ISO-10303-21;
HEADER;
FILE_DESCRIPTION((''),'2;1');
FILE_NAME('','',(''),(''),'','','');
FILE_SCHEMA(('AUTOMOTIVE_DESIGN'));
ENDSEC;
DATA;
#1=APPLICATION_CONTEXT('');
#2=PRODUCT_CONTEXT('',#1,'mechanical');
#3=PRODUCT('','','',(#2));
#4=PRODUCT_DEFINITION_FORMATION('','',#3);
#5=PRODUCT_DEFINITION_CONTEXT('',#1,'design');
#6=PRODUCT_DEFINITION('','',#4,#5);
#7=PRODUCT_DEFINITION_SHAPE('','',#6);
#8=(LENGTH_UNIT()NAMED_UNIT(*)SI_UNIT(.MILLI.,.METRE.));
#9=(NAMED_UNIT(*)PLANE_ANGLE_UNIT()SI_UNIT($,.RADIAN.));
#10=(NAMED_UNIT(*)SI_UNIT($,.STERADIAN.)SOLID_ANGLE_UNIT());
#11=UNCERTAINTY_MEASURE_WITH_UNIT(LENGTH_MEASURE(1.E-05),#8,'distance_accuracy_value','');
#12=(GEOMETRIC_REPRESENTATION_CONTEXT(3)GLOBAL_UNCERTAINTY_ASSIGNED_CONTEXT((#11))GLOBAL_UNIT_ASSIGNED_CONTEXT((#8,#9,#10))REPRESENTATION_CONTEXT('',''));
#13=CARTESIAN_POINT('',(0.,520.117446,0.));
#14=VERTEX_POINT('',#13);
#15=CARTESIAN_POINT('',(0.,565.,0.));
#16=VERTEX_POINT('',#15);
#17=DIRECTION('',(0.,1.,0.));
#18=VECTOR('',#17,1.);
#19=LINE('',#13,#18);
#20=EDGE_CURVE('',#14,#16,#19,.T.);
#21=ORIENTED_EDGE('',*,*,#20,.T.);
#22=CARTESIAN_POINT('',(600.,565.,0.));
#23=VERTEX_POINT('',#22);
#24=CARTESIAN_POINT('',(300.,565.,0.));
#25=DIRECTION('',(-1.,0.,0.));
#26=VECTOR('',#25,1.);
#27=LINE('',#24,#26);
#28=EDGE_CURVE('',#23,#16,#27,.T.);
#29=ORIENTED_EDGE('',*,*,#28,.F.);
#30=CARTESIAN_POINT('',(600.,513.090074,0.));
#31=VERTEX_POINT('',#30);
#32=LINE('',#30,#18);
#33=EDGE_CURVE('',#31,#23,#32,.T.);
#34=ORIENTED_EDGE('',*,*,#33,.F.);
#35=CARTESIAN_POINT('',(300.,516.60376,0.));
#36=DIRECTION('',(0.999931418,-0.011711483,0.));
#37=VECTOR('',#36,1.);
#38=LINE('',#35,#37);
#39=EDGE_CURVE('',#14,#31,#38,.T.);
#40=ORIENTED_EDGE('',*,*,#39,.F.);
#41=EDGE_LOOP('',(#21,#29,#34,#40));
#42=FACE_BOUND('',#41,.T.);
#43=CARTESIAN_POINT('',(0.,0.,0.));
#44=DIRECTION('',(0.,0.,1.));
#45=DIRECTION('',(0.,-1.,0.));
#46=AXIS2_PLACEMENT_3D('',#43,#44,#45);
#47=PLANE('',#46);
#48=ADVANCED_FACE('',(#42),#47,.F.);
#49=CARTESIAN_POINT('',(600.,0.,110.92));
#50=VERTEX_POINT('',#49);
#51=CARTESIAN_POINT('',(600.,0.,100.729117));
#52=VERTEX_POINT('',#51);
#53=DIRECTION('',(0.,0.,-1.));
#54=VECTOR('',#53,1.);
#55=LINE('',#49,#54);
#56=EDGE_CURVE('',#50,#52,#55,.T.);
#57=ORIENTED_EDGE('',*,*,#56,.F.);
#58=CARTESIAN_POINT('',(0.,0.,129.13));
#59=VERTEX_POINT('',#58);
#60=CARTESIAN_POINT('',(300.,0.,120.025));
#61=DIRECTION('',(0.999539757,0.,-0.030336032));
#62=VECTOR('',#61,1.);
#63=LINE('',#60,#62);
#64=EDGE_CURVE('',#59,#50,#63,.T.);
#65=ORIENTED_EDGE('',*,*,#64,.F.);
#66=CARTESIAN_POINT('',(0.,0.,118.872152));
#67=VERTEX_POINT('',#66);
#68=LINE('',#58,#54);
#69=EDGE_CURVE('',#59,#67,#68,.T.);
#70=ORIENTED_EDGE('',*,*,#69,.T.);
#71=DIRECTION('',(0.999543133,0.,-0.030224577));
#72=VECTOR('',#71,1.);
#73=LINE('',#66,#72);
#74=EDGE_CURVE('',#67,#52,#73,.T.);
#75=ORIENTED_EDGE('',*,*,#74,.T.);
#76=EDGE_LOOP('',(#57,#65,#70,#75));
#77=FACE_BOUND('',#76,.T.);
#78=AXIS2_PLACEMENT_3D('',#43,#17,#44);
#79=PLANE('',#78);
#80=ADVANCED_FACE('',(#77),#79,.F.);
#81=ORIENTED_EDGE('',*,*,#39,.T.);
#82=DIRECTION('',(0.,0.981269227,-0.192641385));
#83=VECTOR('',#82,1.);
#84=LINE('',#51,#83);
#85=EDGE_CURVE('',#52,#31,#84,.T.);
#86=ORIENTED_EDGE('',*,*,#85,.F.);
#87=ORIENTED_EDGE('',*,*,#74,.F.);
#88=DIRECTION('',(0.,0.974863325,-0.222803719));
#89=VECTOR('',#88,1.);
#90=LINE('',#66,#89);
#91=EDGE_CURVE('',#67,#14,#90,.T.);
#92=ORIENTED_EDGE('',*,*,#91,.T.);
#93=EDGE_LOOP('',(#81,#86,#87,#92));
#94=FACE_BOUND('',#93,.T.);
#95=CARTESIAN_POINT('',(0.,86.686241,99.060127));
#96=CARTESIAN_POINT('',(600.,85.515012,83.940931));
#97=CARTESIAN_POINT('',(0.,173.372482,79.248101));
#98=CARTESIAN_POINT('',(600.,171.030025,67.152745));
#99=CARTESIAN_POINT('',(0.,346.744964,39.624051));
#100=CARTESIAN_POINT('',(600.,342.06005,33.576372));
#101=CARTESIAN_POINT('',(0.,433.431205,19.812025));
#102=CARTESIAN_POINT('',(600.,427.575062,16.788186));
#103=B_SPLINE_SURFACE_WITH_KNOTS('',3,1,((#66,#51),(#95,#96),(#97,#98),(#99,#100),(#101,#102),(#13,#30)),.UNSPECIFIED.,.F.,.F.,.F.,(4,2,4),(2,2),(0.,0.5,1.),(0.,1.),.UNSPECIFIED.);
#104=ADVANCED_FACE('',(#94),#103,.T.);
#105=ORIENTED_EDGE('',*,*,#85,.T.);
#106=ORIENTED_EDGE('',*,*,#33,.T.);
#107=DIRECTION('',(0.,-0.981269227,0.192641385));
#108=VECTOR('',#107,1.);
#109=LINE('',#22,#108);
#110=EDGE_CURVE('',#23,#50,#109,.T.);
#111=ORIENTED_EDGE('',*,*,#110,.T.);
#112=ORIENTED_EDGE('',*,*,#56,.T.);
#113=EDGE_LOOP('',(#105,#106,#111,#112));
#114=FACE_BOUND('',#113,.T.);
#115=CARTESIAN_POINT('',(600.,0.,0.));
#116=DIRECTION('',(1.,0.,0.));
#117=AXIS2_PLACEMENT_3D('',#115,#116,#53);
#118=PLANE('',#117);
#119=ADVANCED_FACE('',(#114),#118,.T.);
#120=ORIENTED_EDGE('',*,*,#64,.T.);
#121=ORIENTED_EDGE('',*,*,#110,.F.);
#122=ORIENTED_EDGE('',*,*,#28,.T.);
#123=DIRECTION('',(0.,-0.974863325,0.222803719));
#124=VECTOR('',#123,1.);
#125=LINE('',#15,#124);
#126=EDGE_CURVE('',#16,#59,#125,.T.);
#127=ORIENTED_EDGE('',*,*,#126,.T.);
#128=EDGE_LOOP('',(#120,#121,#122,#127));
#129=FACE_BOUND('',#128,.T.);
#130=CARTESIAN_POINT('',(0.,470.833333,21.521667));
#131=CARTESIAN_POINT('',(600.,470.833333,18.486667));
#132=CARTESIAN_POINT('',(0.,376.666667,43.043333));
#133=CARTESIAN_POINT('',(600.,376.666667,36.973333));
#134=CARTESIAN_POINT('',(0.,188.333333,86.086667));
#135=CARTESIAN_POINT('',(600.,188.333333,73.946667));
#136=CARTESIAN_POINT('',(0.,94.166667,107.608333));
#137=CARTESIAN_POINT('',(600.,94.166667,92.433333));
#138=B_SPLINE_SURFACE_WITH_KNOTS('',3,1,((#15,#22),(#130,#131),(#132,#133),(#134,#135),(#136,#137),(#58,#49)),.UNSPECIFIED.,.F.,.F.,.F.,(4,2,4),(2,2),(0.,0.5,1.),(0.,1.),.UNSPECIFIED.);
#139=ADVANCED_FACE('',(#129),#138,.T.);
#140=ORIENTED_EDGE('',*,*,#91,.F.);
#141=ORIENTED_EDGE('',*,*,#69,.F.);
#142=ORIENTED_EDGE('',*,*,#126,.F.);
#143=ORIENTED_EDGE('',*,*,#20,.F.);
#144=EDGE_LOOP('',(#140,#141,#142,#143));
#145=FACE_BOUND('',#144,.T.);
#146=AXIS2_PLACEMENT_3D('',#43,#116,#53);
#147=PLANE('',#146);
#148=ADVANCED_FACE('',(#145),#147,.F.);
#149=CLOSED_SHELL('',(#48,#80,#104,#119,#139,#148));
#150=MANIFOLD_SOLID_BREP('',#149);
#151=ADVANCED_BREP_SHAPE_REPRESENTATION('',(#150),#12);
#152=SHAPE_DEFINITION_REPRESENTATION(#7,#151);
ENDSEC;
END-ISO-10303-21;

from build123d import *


with BuildPart() as part:
    # Skizze1 → Ausformung1 section 0
    with BuildSketch(Plane(origin=(0, 0, 0), x_dir=(0, 0, -1), z_dir=(1, 0, 0))):
        Polygon((-118.872151806, 0), (0, 520.117445755), (0, 565), (-129.13, 0), align=None)
    # Skizze2 → Ausformung1 section 1
    with BuildSketch(Plane(origin=(600, 0, 0), x_dir=(0, 0, -1), z_dir=(1, 0, 0))):
        Polygon((-100.729116886, 0), (0, 513.090074293), (0, 565), (-110.92, 0), align=None)
    loft()


solid = part.part
